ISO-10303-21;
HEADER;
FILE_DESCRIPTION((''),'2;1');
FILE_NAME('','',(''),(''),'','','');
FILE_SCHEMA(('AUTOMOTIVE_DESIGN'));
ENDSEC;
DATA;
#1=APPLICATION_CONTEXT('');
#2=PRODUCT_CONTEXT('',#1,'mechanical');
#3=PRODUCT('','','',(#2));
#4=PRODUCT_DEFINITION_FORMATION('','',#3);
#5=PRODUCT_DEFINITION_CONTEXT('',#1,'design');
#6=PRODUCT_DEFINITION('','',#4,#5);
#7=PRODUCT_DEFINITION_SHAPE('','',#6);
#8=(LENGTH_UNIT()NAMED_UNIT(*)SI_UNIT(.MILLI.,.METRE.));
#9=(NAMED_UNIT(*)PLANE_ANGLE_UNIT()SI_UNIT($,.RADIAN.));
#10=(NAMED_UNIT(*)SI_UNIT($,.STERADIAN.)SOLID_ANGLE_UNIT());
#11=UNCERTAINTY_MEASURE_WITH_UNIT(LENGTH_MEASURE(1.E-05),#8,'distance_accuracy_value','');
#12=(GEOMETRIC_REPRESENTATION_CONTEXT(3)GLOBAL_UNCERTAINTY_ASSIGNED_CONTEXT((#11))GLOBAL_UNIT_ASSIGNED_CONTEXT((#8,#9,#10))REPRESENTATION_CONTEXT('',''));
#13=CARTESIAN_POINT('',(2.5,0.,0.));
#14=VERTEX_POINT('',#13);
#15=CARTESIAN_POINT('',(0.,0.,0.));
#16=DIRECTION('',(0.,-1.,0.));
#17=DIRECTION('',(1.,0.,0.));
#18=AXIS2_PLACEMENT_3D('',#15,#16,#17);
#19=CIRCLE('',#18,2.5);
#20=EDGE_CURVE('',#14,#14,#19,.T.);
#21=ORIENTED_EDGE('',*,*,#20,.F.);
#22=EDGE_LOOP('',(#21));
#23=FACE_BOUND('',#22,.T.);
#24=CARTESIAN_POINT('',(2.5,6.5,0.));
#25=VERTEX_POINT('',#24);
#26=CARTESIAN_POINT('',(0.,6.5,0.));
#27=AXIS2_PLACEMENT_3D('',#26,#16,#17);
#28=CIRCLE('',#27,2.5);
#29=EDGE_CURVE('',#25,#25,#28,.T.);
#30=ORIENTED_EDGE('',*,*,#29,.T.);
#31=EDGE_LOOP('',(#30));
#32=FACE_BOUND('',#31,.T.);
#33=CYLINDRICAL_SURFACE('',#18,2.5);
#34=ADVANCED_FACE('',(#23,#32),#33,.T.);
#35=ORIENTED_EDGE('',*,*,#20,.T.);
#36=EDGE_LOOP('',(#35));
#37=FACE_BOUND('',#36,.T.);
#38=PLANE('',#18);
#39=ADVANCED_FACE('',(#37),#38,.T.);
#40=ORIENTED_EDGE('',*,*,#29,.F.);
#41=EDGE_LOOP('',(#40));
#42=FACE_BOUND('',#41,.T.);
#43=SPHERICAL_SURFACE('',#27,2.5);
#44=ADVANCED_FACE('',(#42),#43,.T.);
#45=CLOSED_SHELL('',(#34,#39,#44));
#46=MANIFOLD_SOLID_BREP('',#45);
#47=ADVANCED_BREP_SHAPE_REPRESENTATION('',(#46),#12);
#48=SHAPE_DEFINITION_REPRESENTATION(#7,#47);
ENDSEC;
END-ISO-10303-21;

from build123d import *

# Parameters (mm, degrees)
SKETCH_1_W = 2.5
SKETCH_1_H = 6.5


with BuildPart() as part:
    # Эскиз1 → Повернуть1 (revolve)
    with BuildSketch(Plane.XY):
        with BuildLine():
            Line((0, 6.5), (2.5, 6.5))
            ThreePointArc((2.5, 6.5), (1.767766953, 8.267766953), (0, 9))
            Line((0, 9), (0, 6.5))
        make_face()
        with Locations((1.25, 3.25)):
            Rectangle(SKETCH_1_W, SKETCH_1_H)
    revolve(axis=Axis((0, 0, 0), (0, 1, 0)))


solid = part.part
